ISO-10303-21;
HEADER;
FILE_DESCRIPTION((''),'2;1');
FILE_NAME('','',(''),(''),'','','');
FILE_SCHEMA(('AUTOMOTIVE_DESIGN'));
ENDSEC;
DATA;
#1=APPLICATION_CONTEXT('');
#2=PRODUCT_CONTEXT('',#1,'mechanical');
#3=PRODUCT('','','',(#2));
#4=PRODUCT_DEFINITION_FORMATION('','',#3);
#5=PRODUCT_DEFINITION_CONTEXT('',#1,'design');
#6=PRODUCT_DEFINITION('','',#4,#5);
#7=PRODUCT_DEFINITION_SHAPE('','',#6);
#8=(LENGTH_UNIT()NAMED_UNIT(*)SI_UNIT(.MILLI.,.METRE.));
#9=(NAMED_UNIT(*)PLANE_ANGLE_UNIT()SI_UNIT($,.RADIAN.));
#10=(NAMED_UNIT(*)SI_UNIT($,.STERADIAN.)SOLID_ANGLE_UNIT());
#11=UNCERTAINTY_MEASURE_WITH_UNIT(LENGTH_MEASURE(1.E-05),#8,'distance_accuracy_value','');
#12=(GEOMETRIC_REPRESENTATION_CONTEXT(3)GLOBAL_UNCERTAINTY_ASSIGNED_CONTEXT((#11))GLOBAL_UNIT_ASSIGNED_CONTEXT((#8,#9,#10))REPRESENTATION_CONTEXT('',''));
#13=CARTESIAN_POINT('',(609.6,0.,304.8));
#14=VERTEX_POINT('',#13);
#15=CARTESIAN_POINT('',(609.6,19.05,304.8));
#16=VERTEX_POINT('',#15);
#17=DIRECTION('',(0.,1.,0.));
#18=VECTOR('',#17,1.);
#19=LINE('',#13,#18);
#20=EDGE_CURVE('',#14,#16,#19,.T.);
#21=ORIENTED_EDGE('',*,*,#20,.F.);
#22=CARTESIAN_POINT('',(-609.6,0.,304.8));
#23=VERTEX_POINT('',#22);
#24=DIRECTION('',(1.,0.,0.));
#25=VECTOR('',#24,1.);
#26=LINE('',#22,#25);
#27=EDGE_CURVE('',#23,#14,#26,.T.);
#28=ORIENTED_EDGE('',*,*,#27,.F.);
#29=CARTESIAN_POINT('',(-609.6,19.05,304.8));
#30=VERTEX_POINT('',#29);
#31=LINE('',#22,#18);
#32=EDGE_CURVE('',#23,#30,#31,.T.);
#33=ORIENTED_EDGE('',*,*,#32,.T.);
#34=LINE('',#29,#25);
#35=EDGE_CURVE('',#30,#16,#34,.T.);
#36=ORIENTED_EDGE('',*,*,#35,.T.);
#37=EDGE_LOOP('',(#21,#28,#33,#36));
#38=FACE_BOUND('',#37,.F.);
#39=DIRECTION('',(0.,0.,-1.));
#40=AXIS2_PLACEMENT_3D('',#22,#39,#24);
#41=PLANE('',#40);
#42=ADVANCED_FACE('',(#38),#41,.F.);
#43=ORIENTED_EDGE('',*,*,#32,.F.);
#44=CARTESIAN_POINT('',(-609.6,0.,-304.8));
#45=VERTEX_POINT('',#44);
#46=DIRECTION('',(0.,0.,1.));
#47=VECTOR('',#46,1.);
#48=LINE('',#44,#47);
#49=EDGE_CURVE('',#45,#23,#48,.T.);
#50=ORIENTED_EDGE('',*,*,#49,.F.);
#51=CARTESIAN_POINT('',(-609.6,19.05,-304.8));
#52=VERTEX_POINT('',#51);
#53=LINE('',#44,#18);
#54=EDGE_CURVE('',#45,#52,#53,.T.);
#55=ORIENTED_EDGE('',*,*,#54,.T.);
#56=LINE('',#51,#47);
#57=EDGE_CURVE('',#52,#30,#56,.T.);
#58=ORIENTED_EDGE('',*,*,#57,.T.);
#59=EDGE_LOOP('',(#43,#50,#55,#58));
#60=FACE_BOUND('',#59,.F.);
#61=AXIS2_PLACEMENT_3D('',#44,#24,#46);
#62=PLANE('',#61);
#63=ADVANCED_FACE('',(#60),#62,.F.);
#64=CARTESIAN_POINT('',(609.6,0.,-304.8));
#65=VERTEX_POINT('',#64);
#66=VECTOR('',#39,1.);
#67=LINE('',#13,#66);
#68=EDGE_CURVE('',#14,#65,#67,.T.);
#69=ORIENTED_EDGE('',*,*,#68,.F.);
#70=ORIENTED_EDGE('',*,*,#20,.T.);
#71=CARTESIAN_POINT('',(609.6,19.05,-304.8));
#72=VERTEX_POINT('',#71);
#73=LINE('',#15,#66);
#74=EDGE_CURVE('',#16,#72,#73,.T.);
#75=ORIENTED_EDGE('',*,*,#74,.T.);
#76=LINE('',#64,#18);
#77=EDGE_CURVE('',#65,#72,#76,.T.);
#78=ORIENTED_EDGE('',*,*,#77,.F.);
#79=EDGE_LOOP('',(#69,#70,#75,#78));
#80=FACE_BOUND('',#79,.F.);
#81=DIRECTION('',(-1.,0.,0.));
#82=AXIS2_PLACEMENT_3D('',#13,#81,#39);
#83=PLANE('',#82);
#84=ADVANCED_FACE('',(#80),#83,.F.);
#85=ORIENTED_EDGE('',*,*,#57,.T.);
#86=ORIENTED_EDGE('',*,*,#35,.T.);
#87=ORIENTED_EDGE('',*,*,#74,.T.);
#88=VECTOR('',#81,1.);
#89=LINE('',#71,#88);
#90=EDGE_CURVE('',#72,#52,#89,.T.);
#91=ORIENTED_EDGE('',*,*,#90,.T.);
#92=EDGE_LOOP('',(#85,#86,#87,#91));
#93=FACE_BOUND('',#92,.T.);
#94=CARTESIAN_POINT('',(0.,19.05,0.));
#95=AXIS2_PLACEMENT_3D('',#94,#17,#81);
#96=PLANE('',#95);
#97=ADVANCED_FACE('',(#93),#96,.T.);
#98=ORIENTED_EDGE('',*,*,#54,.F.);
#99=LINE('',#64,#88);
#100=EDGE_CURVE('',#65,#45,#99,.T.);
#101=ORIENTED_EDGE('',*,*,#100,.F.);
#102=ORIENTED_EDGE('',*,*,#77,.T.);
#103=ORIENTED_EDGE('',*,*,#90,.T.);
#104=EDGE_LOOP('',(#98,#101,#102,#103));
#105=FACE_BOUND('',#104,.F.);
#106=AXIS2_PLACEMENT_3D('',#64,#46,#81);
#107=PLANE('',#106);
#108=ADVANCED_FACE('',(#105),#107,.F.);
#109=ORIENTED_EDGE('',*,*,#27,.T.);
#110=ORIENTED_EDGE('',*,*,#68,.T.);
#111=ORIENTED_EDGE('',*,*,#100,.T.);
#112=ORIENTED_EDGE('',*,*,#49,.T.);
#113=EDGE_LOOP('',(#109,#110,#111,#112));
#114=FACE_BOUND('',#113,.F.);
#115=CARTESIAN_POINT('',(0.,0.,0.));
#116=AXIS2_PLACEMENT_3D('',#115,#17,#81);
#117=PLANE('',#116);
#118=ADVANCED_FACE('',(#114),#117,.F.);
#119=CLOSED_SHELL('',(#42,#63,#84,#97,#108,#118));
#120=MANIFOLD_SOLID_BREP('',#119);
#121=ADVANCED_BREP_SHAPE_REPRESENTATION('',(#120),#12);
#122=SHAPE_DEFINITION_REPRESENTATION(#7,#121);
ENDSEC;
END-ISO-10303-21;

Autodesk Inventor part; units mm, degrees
ref_plane "YZ Plane" through (0, 0, 0) normal (1, 0, 0) x (0, 1, 0)
ref_plane "XZ Plane" through (0, 0, 0) normal (0, 1, 0) x (-1, 0, 0)
ref_plane "XY Plane" through (0, 0, 0) normal (0, 0, 1) x (1, 0, 0)
sketch "Sketch1" plane through (0, 0, 0) normal (0, 1, 0) x (-1, 0, 0)
  line L0 (-609.6, -304.8) -> (609.6, -304.8)
  line L1 (609.6, -304.8) -> (609.6, 304.8)
  line L2 (609.6, 304.8) -> (-609.6, 304.8)
  line L3 (-609.6, 304.8) -> (-609.6, -304.8)
  line L4 (-609.6, -304.8) -> (609.6, 304.8) construction
  line L5 (609.6, -304.8) -> (-609.6, 304.8) construction
  point P0 (0, 0)
  dimension "d0" = 1219.2
  dimension "d1" = 609.6
extrude "Extrusion1" add sketch "Sketch1" along normal blind 19.05
properties part number "Tabletop" material "Wood"
